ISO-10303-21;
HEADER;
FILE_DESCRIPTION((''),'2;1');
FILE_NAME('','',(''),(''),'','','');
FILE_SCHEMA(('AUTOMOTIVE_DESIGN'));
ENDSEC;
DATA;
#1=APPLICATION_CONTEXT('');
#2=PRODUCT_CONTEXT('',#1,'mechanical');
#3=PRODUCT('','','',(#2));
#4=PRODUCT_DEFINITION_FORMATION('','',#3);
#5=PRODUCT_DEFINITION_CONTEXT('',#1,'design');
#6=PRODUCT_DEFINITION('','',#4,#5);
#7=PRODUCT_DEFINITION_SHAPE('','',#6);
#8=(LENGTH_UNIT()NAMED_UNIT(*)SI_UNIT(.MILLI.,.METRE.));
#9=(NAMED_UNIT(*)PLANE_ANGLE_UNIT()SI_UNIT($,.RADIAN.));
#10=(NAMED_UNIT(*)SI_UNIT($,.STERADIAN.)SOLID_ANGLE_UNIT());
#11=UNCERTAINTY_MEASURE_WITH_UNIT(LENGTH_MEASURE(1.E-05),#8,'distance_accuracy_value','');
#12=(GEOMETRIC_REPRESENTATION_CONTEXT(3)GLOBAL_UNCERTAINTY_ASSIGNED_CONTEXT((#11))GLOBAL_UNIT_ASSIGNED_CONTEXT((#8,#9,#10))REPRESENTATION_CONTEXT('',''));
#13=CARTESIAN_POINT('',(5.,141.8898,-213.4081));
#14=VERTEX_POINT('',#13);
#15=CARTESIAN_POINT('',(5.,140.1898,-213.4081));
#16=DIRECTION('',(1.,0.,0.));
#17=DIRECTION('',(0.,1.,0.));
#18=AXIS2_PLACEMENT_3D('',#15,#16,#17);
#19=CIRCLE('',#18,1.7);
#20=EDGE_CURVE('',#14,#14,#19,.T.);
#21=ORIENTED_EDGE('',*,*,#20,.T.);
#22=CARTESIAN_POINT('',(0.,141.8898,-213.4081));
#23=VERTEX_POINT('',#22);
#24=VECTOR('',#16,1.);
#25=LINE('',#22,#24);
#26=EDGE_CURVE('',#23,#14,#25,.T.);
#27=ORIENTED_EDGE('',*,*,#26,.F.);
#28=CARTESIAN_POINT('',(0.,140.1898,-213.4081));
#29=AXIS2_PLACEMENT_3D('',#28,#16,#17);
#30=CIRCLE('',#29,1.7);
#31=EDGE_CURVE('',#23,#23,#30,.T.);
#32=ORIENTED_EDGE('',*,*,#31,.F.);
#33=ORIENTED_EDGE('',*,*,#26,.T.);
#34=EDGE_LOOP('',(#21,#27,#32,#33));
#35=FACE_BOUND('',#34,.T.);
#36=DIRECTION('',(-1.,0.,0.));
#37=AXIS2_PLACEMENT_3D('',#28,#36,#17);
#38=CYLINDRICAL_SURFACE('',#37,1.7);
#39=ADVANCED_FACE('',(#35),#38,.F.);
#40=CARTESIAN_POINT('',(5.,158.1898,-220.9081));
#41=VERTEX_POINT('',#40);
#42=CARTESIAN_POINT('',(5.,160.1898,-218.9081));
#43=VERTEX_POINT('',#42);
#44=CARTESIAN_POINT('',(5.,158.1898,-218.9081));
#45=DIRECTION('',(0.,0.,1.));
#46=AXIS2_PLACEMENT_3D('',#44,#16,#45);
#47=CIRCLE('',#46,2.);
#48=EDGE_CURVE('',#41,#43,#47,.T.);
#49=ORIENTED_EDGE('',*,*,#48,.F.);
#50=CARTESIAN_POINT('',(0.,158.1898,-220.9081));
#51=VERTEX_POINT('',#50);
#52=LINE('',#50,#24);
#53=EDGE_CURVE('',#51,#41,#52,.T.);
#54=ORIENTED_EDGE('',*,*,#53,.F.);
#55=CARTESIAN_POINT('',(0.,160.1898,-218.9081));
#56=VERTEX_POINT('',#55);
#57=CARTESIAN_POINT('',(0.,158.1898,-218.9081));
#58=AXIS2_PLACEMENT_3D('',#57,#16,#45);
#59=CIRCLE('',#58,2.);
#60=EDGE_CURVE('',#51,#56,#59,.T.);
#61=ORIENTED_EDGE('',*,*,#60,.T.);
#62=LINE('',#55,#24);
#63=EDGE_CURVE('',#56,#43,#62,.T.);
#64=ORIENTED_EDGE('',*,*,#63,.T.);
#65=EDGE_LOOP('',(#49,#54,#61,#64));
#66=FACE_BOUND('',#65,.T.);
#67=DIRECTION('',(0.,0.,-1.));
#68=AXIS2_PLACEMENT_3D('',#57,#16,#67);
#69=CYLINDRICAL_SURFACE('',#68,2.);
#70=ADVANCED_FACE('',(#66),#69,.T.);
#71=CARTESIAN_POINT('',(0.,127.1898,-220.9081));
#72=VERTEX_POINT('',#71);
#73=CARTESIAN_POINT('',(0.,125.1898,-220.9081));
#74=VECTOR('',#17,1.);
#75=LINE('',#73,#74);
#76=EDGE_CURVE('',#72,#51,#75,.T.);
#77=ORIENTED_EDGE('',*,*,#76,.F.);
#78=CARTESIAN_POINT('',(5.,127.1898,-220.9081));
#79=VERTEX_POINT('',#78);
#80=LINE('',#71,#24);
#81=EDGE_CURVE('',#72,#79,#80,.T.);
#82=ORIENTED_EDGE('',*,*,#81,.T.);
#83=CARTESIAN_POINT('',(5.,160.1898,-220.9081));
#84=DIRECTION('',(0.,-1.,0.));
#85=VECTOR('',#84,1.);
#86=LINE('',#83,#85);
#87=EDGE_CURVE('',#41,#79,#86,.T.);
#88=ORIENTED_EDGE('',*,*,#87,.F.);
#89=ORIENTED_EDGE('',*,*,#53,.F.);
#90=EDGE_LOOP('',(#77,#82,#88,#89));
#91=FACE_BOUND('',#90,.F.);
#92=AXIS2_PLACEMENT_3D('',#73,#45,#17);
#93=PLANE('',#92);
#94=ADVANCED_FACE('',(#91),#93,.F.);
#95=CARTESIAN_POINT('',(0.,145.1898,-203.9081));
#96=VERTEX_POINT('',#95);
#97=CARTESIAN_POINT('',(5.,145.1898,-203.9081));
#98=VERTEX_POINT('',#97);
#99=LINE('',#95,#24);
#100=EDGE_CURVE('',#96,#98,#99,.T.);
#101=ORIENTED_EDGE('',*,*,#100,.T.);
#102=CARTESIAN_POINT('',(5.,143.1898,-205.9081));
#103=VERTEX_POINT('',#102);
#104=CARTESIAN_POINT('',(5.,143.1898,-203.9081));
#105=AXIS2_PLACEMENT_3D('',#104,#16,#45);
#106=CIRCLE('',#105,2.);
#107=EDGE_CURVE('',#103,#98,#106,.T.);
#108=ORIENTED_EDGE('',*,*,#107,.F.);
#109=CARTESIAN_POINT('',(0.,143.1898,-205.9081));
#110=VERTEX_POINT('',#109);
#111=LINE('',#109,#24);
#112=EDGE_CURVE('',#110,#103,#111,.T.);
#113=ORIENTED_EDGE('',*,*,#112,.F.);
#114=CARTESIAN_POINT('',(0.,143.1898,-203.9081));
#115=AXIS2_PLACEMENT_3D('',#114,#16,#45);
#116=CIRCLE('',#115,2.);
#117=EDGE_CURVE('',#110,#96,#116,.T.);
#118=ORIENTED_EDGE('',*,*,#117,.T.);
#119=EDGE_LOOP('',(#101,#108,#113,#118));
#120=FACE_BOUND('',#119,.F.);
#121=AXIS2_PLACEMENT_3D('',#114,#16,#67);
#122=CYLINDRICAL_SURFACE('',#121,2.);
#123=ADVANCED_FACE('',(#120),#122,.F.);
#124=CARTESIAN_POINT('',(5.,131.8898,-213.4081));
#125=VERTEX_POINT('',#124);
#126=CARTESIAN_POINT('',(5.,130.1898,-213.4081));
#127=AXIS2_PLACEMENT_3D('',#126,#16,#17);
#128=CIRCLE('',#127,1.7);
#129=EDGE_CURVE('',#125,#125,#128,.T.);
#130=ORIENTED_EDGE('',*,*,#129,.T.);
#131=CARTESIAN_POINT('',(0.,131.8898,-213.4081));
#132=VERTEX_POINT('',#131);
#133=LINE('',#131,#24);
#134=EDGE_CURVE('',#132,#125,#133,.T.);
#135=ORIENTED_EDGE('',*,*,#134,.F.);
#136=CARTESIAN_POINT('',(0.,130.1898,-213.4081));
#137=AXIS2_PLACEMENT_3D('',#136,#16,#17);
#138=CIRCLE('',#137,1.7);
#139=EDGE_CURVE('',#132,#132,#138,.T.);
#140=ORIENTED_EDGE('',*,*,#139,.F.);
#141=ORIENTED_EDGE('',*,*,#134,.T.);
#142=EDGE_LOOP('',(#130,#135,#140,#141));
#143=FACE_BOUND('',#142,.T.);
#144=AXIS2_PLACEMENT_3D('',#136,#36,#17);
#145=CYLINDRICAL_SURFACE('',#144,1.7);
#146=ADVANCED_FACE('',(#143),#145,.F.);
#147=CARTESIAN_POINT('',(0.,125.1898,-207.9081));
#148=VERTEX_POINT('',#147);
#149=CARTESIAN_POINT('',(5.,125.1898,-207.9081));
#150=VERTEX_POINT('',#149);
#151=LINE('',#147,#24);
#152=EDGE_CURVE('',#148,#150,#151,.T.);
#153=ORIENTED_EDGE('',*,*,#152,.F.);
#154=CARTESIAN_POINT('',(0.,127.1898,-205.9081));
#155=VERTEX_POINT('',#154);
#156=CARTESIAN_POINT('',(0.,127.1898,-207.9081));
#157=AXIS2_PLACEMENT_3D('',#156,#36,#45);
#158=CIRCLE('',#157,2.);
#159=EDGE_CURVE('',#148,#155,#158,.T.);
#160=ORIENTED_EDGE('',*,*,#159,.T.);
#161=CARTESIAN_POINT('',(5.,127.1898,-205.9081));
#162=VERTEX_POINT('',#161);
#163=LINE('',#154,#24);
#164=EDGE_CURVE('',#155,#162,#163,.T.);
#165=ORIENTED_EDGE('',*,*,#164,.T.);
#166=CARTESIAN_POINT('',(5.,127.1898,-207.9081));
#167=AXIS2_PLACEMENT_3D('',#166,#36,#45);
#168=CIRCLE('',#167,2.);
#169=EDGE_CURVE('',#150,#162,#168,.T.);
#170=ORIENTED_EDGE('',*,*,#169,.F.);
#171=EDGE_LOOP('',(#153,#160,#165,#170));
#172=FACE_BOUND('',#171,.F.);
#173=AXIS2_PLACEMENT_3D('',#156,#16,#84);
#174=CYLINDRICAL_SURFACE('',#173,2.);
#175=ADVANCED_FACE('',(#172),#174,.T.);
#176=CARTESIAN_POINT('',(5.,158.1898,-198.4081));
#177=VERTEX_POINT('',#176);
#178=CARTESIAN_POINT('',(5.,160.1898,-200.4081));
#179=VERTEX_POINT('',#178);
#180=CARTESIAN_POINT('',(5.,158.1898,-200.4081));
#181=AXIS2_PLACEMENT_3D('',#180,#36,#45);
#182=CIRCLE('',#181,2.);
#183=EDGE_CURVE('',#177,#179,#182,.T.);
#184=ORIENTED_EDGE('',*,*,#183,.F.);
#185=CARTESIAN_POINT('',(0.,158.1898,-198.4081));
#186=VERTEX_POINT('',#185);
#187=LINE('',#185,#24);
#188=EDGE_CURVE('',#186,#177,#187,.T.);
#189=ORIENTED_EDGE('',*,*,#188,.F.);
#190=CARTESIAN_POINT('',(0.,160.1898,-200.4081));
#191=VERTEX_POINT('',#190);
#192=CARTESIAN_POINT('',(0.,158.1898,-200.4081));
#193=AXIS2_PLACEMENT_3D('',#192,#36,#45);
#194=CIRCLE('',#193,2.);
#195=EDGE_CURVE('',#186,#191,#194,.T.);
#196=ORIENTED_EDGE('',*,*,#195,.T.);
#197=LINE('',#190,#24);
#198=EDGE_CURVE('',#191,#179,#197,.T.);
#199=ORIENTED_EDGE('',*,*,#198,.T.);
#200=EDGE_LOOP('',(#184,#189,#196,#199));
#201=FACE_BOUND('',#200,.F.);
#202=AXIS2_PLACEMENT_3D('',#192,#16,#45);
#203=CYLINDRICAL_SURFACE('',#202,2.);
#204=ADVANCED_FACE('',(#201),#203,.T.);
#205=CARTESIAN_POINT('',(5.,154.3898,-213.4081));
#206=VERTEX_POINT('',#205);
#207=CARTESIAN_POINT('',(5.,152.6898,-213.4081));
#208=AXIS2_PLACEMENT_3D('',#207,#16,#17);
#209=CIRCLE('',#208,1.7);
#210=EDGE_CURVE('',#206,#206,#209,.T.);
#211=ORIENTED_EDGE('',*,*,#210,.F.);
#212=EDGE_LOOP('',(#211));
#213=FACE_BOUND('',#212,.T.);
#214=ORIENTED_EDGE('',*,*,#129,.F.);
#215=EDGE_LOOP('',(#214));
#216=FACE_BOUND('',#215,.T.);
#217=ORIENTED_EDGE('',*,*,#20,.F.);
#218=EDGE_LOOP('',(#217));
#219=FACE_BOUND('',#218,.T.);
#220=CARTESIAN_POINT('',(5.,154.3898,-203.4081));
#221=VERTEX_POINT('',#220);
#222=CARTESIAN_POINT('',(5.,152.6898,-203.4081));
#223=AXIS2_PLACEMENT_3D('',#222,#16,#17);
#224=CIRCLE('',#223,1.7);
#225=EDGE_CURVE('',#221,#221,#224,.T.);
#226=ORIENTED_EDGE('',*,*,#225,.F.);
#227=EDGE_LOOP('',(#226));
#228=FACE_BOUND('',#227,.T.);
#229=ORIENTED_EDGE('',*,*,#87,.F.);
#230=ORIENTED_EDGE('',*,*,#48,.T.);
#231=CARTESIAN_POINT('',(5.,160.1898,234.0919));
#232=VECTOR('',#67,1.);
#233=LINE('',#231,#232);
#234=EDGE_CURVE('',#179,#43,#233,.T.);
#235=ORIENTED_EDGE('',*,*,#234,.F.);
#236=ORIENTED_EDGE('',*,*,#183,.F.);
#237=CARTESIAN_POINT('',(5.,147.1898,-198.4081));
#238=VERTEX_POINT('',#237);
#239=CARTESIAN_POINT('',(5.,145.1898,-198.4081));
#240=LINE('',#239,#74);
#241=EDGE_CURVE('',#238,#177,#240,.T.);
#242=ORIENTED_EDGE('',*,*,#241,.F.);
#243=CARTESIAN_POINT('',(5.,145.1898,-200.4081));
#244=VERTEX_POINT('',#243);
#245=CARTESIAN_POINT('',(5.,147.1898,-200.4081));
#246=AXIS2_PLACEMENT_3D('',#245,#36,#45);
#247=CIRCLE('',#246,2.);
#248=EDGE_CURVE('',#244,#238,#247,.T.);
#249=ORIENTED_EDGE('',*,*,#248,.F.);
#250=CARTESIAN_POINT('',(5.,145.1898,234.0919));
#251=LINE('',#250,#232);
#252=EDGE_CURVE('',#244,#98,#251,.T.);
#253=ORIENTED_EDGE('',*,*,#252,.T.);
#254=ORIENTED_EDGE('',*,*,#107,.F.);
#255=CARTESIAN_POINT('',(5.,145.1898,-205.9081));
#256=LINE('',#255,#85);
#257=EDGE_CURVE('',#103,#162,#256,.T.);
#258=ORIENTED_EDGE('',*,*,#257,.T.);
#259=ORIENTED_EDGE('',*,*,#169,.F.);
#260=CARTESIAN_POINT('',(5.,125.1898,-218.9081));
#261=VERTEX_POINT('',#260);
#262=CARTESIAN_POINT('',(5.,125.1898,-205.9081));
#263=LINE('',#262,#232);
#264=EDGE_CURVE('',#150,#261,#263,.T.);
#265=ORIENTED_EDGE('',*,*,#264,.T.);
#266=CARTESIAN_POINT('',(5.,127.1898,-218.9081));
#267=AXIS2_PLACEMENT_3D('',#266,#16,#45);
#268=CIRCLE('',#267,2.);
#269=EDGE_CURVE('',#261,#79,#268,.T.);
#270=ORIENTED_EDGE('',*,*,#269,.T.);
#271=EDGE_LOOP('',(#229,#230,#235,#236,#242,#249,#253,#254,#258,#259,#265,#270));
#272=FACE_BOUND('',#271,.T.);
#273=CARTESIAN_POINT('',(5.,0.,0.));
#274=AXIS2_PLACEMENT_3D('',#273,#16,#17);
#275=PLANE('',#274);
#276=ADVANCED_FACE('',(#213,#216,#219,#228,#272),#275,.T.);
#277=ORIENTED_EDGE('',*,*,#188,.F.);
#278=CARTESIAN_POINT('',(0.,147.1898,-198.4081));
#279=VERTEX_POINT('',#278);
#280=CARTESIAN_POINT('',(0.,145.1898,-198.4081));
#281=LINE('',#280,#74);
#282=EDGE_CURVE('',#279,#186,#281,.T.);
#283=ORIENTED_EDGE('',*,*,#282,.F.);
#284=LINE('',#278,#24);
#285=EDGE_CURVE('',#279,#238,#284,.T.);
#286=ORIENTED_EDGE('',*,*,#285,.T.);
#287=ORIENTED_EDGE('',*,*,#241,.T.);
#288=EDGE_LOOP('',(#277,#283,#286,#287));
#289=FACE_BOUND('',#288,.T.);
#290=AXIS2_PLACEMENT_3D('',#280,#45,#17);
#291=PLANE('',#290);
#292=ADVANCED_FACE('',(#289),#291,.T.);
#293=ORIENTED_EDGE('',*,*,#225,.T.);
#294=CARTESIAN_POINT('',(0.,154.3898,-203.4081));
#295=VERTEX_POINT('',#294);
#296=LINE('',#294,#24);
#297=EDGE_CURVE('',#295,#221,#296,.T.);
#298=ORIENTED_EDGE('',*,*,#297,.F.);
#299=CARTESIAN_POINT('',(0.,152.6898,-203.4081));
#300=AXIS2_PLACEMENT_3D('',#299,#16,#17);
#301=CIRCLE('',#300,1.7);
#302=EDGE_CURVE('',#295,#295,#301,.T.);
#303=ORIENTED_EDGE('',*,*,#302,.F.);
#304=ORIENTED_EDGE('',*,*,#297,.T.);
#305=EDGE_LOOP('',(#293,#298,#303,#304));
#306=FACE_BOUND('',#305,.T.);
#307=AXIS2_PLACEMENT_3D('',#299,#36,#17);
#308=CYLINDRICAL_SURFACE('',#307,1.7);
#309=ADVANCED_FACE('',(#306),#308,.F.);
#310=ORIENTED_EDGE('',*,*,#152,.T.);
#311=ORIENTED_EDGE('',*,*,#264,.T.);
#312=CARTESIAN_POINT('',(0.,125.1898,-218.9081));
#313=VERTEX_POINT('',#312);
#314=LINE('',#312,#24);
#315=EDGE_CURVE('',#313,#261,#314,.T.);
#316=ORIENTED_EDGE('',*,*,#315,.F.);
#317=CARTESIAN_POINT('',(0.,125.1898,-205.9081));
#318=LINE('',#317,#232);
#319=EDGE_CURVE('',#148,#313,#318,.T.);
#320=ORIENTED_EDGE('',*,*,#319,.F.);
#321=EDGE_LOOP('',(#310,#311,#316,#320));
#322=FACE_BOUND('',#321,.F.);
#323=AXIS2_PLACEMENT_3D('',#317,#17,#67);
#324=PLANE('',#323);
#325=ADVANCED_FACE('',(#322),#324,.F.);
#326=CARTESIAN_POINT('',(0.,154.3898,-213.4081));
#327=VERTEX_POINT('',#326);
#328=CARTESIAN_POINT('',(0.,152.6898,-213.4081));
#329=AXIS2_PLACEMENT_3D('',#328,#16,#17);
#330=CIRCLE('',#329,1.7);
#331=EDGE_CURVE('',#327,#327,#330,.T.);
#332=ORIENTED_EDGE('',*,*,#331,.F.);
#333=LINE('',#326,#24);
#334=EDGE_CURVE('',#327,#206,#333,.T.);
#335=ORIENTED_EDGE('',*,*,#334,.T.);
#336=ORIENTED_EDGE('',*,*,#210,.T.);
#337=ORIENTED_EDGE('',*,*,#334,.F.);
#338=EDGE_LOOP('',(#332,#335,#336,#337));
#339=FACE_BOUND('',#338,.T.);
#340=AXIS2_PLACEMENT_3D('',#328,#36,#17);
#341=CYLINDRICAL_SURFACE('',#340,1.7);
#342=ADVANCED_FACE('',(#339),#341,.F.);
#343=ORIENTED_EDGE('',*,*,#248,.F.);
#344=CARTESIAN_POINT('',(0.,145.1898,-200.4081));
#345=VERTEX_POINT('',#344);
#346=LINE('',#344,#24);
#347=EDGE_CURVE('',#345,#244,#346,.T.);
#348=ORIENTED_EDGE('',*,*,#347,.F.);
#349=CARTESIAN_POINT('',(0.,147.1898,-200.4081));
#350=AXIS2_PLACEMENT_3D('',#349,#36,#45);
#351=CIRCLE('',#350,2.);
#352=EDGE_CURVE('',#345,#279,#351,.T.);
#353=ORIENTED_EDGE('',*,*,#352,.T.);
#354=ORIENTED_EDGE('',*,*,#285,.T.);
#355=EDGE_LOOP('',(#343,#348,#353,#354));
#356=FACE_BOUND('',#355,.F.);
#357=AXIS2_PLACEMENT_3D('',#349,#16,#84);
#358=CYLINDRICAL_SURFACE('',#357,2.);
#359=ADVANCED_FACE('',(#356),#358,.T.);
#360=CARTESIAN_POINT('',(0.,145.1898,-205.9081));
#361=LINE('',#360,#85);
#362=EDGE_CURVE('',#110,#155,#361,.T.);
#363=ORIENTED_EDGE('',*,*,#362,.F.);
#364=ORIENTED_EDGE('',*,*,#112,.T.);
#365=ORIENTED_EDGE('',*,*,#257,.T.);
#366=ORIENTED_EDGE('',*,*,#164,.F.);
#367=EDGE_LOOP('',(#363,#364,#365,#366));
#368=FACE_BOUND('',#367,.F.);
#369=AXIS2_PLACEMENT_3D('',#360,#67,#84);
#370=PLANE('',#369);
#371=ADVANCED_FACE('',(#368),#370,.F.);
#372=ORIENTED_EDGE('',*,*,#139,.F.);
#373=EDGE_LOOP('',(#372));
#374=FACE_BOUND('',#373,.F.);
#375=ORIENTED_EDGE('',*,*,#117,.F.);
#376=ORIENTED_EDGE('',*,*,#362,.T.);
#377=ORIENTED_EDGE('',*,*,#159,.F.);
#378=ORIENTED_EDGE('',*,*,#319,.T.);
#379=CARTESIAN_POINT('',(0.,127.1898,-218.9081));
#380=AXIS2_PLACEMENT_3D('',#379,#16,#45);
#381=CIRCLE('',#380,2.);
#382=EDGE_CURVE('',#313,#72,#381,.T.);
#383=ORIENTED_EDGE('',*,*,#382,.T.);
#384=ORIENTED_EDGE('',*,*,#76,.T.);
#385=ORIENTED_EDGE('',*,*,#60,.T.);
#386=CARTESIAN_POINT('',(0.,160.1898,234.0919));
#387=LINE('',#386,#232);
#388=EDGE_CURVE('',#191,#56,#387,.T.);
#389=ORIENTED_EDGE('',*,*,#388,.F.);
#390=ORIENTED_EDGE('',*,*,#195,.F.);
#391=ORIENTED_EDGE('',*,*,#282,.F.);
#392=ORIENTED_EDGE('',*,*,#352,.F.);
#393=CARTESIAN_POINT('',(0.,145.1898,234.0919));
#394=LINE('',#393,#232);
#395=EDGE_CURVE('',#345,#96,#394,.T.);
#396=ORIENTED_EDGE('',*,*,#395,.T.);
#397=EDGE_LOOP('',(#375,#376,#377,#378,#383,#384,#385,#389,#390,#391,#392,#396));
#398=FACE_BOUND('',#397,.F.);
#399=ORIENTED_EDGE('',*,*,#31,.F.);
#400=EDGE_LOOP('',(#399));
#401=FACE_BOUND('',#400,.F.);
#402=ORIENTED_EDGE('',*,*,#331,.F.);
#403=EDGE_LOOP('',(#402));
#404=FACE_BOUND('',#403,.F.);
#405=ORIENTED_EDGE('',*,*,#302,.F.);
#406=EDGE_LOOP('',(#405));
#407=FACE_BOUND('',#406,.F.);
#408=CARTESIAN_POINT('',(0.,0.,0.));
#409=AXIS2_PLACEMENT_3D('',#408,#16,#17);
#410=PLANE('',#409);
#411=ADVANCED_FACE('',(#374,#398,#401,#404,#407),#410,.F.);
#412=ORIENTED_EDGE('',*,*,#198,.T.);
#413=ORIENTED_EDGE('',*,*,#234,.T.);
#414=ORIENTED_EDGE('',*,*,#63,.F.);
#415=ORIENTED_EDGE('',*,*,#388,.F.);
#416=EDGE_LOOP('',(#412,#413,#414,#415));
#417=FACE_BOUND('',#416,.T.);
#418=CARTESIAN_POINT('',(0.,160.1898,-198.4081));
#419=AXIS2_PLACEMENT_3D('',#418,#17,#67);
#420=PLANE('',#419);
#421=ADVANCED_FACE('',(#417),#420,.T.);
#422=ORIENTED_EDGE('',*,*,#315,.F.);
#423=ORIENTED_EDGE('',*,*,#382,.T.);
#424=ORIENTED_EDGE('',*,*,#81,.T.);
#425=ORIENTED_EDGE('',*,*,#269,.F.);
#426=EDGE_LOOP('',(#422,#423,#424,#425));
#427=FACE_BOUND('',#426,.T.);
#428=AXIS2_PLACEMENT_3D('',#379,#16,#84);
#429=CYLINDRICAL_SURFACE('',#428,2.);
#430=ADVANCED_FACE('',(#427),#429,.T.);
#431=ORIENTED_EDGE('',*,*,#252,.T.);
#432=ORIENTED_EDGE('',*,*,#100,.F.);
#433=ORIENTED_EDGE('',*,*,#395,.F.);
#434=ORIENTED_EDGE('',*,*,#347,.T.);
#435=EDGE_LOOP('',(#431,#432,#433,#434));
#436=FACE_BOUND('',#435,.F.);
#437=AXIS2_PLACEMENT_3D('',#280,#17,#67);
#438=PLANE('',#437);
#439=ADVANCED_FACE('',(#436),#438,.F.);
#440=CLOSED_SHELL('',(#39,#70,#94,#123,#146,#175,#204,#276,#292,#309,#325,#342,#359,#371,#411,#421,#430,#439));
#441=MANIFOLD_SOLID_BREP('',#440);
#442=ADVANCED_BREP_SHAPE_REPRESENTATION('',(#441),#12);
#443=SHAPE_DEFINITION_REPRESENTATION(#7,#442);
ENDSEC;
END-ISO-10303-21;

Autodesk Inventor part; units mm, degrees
ref_plane "YZ Plane" through (0, 0, 0) normal (1, 0, 0) x (0, 1, 0)
ref_plane "XZ Plane" through (0, 0, 0) normal (0, 1, 0) x (-1, 0, 0)
ref_plane "XY Plane" through (0, 0, 0) normal (0, 0, 1) x (1, 0, 0)
sketch "スケッチ1" plane through (0, 0, 0) normal (1, 0, 0) x (0, 1, 0)
  line L0 (-144.8102, -220.9081) -> (-144.8102, 234.0919)
  line L1 (-144.8102, -220.9081) -> (145.1898, -220.9081)
  line L2 (145.1898, -220.9081) -> (145.1898, -205.9081)
  line L3 (145.1898, -205.9081) -> (-144.8102, -205.9081)
  line L4 (-144.8102, -205.9081) -> (-144.8102, -220.9081)
  line L5 (145.1898, 234.0919) -> (145.1898, -220.9081)
  line L6 (145.1898, -220.9081) -> (160.1898, -220.9081)
  line L7 (160.1898, 234.0919) -> (160.1898, -220.9081)
  line L8 (0.1898, -205.9081) -> (0.1898, -220.9081)
  line L9 (125.1898, -205.9081) -> (125.1898, -220.9081)
  line L10 (145.1898, -198.4081) -> (160.1898, -198.4081)
  circle A0 centre (130.1898, -213.4081) radius 1.7
  circle A1 centre (140.1898, -213.4081) radius 1.7
  circle A2 centre (152.6898, -213.4081) radius 1.7
  circle A3 centre (152.6898, -203.4081) radius 1.7
  point P0 (0, 0)
  point P1 (-54.8102, -185.9081)
  point P2 (-152.3102, -203.4081)
  point P3 (-152.3102, -213.4081)
  point P4 (-139.8102, -213.4081)
  point P5 (-129.8102, -213.4081)
  dimension "d0" = 15
  dimension "d1" = 0
  dimension "d2" = 10
  dimension "d3" = 7.5
  dimension "d4" = 10
  dimension "d5" = 5
  dimension "d6" = 7.5
  dimension "d7" = 7.5
  dimension "d8" = 7.5
  dimension "d9" = 7.5
  dimension "d10" = 5
  dimension "d11" = 5
  dimension "d12" = 3.4
  dimension "d13" = 3.4
  dimension "d14" = 3.4
  dimension "d15" = 3.4
extrude "押し出し1" add sketch "スケッチ1" along normal blind 5 contours L9 L3 L2 L1 | L2 L5 L10 L7 L6
fillet "フィレット1" radius 2 6 edges at (2.5, 160.1898, -220.9081) (2.5, 160.1898, -198.4081) (2.5, 145.1898, -198.4081) (2.5, 145.1898, -205.9081) (2.5, 125.1898, -205.9081) (2.5, 125.1898, -220.9081)
equation "\"d6\" = d3"
equation "\"d9\" = d8"
properties part number "ball_loading_v1_Plate_ASP_F_3" material "ABS プラスチック"
